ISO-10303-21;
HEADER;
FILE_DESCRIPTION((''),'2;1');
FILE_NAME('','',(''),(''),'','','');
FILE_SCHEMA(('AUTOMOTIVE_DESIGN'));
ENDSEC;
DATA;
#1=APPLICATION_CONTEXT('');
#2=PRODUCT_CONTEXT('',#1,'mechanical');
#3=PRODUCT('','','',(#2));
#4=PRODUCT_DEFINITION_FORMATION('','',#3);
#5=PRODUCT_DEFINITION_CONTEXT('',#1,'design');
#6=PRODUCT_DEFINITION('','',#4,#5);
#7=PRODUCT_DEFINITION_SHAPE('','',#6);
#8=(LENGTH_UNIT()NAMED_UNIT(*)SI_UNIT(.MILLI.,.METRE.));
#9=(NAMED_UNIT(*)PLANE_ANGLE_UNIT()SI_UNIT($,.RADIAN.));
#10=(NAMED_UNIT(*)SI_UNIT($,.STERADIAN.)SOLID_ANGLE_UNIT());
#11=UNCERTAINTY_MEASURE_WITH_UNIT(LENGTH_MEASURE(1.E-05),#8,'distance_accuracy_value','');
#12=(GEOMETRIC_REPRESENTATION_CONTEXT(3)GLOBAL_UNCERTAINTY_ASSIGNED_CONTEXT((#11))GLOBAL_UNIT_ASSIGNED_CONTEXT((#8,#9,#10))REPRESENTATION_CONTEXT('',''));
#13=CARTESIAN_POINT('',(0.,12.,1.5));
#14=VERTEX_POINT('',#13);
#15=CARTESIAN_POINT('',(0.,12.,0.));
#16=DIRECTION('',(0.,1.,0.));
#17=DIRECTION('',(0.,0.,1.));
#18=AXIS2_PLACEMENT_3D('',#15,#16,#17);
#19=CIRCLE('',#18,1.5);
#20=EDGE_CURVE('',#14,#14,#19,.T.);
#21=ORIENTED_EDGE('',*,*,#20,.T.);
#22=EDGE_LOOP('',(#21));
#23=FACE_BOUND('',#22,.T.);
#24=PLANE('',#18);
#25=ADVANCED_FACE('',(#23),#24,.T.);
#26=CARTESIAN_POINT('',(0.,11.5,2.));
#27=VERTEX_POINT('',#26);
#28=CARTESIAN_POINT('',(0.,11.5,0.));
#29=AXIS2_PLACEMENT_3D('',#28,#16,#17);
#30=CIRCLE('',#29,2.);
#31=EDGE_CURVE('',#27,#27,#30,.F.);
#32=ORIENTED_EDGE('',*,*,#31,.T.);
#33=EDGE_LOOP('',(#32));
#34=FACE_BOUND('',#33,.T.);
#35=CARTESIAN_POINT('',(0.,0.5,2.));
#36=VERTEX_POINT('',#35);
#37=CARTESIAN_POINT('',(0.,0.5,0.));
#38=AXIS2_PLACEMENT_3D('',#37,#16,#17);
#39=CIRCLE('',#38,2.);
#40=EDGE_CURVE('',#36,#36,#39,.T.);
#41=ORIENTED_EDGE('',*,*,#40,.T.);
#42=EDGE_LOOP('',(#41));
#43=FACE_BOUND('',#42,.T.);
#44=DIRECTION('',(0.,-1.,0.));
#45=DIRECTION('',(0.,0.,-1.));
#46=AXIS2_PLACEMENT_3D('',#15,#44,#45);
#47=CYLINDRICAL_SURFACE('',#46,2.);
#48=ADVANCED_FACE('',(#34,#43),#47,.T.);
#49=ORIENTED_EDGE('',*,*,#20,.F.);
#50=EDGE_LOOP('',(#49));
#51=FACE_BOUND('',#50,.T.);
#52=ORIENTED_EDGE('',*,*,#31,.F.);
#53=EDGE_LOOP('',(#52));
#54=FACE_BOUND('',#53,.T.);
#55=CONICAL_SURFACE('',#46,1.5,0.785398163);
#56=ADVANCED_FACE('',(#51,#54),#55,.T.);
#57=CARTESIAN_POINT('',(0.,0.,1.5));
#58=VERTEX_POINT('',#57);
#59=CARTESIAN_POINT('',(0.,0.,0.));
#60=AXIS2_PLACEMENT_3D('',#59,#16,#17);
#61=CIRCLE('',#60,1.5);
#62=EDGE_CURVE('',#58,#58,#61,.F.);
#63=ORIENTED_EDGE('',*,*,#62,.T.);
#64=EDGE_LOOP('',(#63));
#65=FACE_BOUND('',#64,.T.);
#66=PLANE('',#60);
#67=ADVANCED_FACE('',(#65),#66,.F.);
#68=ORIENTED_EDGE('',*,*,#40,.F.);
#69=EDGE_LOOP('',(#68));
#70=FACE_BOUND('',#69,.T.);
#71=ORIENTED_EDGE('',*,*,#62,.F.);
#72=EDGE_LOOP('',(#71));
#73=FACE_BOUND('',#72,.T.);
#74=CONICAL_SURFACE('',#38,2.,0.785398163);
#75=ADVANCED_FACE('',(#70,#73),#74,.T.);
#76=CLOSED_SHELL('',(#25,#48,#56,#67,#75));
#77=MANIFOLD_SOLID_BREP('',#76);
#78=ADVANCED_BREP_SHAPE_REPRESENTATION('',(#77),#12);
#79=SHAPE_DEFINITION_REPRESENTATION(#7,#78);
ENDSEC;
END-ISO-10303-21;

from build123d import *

# Parameters (mm, degrees)
SKETCH1_R           = 2
BOSS_EXTRUDE1_DEPTH = 12
CHAMFER1_SIZE       = 0.5


with BuildPart() as part:
    # Sketch1 → Boss-Extrude1 (new body)
    with BuildSketch(Plane(origin=(0, 0, 0), x_dir=(1, 0, 0), z_dir=(0, 1, 0))):
        Circle(SKETCH1_R)
    extrude(amount=BOSS_EXTRUDE1_DEPTH)

    # Chamfer1
    chamfer1_edges = [part.edges().sort_by_distance(p)[0] for p in [
        (-2, 0, 0),
        (-2, 12, 0),
    ]]
    chamfer(chamfer1_edges, length=CHAMFER1_SIZE)


solid = part.part
